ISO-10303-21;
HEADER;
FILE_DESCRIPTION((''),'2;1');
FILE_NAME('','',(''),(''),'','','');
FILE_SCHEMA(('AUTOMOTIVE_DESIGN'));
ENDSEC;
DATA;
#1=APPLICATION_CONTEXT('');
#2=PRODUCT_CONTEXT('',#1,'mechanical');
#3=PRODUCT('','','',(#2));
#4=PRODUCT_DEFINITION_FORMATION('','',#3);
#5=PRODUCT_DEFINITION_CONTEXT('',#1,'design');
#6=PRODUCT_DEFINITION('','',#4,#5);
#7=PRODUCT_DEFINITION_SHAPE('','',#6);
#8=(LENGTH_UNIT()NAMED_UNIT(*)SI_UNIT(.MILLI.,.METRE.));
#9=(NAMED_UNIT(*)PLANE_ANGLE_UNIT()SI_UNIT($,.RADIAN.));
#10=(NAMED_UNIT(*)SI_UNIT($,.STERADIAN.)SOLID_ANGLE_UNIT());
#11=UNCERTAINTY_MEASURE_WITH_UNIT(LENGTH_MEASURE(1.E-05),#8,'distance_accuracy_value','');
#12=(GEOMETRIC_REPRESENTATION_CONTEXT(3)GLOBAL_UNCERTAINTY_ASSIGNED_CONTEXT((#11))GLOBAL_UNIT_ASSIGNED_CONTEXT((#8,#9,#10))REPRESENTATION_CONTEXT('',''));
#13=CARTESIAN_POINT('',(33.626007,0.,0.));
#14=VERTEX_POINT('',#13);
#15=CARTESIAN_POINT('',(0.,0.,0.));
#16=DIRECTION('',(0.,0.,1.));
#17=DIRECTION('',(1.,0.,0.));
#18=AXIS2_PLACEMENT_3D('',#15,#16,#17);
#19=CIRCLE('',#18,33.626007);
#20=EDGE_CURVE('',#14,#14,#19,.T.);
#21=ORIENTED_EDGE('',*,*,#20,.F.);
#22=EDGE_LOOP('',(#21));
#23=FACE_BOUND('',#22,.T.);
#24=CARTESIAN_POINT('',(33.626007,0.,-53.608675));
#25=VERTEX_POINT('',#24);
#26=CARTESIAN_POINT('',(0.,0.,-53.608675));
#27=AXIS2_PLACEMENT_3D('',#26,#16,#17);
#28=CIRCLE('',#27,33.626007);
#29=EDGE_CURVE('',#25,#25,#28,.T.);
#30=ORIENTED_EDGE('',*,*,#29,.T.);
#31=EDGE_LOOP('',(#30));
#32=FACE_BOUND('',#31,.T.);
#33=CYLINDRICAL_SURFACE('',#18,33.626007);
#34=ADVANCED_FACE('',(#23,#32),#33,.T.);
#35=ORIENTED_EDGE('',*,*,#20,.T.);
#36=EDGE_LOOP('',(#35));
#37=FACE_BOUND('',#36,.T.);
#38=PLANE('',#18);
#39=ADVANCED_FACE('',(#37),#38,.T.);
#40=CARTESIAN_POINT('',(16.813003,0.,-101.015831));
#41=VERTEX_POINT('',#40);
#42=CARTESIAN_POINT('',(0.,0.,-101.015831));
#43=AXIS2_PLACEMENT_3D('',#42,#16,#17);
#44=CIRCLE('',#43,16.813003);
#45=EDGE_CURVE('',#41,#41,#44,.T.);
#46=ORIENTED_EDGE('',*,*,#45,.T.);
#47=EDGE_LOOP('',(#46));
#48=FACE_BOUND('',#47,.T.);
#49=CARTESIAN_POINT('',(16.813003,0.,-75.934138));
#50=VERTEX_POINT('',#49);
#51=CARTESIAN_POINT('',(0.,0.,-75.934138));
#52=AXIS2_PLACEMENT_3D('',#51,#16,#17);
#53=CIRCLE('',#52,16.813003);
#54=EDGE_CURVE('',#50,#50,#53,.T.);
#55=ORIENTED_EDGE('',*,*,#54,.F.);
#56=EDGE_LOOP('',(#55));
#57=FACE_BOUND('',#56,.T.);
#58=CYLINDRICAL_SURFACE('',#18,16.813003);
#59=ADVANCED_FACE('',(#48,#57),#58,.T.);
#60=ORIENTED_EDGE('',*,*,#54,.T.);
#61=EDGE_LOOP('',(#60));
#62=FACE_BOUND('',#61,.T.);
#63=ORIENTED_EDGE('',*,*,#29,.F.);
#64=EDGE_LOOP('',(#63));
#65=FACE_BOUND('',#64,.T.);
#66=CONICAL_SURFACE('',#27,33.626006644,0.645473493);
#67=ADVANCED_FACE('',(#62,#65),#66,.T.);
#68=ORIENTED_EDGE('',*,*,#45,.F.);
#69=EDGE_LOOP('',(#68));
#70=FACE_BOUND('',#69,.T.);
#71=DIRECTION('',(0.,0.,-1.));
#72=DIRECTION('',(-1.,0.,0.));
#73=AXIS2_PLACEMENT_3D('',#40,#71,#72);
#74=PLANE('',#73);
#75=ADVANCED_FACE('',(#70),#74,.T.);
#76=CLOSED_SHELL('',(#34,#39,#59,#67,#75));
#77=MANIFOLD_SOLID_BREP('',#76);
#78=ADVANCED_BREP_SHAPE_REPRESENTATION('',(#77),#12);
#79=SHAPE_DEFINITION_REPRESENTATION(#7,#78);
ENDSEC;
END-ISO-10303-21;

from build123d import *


with BuildPart() as part:
    # Sketch1 → Revolve1 (revolve)
    with BuildSketch(Plane(origin=(0, 0, 0), x_dir=(1, 0, 0), z_dir=(0, 1, 0))):
        Polygon((0, 0), (33.626006644, 0), (33.626006644, 53.608674526), (16.813003322, 75.934137953), (16.813003322, 101.015831434), (0, 101.015831434), align=None)
    revolve(axis=Axis((0, 0, 0), (0, 0, -1)))


solid = part.part
